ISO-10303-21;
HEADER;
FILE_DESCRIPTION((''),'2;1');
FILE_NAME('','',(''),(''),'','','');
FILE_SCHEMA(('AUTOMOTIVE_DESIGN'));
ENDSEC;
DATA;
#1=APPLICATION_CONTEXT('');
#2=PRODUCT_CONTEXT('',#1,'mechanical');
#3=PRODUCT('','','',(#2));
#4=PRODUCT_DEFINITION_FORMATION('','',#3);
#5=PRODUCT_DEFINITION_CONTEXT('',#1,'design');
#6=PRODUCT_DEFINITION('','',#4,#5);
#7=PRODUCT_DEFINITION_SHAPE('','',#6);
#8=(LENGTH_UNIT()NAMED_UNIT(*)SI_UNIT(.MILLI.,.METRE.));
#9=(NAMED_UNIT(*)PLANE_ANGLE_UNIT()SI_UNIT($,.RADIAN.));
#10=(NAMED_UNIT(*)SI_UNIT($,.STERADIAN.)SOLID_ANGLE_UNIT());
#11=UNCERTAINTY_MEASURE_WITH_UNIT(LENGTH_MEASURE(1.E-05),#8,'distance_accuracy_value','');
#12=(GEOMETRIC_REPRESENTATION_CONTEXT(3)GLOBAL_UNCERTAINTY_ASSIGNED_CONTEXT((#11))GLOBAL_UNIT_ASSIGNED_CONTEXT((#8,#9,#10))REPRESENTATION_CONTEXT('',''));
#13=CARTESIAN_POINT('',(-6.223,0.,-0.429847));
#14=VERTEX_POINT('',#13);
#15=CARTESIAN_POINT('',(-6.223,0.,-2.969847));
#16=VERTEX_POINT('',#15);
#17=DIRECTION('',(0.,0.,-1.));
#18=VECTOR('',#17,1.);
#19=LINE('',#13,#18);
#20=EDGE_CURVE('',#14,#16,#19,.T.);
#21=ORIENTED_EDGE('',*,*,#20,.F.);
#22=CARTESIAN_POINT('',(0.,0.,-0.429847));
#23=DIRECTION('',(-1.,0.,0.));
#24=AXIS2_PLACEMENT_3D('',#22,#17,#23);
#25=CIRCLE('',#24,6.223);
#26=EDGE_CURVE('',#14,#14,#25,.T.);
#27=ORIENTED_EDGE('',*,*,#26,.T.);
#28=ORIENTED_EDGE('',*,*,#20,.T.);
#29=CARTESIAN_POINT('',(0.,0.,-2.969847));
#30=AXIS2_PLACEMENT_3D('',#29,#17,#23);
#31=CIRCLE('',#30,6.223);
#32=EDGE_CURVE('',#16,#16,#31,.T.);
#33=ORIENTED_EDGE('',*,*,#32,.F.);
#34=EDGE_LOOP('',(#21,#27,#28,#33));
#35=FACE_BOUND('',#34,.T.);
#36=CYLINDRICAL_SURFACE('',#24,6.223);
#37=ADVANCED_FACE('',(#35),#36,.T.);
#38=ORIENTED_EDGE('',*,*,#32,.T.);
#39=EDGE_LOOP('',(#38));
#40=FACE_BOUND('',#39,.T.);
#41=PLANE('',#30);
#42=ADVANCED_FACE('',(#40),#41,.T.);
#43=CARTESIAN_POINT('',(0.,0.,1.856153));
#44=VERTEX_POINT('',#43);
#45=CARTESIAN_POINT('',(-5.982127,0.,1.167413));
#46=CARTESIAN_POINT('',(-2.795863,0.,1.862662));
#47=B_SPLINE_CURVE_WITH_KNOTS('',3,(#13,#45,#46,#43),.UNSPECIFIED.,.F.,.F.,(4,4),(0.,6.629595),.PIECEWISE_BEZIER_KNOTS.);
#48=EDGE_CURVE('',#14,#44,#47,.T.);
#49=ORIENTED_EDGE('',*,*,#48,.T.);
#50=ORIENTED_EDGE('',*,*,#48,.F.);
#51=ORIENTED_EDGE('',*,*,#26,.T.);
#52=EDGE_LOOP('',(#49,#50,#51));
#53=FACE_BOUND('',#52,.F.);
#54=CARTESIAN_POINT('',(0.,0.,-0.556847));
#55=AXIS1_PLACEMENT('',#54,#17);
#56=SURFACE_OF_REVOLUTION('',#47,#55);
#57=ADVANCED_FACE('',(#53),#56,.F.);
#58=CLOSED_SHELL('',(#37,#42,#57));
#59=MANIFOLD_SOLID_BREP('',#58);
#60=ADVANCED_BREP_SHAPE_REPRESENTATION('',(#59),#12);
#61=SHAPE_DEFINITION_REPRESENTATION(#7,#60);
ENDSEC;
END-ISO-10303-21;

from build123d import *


with BuildPart() as f1:
    # F0 (on Front) → F1 (revolve)
    with BuildSketch(Plane.XZ):
        with BuildLine():
            Line((0, -2.969847), (0, 1.856153))
            add(Edge.make_bspline(
                [(-6.223, -0.429847), (-5.982127, 1.167413), (-2.795863, 1.862662), (0, 1.856153)],
                knots=[0, 0, 0, 0, 6.629595, 6.629595, 6.629595, 6.629595], degree=3))
            Line((-6.223, -0.429847), (-6.223, -2.969847))
            Line((-6.223, -2.969847), (0, -2.969847))
        make_face()
    revolve(axis=Axis((0, 0, -0.556847), (0, 0, -1)))


solid = f1.part
